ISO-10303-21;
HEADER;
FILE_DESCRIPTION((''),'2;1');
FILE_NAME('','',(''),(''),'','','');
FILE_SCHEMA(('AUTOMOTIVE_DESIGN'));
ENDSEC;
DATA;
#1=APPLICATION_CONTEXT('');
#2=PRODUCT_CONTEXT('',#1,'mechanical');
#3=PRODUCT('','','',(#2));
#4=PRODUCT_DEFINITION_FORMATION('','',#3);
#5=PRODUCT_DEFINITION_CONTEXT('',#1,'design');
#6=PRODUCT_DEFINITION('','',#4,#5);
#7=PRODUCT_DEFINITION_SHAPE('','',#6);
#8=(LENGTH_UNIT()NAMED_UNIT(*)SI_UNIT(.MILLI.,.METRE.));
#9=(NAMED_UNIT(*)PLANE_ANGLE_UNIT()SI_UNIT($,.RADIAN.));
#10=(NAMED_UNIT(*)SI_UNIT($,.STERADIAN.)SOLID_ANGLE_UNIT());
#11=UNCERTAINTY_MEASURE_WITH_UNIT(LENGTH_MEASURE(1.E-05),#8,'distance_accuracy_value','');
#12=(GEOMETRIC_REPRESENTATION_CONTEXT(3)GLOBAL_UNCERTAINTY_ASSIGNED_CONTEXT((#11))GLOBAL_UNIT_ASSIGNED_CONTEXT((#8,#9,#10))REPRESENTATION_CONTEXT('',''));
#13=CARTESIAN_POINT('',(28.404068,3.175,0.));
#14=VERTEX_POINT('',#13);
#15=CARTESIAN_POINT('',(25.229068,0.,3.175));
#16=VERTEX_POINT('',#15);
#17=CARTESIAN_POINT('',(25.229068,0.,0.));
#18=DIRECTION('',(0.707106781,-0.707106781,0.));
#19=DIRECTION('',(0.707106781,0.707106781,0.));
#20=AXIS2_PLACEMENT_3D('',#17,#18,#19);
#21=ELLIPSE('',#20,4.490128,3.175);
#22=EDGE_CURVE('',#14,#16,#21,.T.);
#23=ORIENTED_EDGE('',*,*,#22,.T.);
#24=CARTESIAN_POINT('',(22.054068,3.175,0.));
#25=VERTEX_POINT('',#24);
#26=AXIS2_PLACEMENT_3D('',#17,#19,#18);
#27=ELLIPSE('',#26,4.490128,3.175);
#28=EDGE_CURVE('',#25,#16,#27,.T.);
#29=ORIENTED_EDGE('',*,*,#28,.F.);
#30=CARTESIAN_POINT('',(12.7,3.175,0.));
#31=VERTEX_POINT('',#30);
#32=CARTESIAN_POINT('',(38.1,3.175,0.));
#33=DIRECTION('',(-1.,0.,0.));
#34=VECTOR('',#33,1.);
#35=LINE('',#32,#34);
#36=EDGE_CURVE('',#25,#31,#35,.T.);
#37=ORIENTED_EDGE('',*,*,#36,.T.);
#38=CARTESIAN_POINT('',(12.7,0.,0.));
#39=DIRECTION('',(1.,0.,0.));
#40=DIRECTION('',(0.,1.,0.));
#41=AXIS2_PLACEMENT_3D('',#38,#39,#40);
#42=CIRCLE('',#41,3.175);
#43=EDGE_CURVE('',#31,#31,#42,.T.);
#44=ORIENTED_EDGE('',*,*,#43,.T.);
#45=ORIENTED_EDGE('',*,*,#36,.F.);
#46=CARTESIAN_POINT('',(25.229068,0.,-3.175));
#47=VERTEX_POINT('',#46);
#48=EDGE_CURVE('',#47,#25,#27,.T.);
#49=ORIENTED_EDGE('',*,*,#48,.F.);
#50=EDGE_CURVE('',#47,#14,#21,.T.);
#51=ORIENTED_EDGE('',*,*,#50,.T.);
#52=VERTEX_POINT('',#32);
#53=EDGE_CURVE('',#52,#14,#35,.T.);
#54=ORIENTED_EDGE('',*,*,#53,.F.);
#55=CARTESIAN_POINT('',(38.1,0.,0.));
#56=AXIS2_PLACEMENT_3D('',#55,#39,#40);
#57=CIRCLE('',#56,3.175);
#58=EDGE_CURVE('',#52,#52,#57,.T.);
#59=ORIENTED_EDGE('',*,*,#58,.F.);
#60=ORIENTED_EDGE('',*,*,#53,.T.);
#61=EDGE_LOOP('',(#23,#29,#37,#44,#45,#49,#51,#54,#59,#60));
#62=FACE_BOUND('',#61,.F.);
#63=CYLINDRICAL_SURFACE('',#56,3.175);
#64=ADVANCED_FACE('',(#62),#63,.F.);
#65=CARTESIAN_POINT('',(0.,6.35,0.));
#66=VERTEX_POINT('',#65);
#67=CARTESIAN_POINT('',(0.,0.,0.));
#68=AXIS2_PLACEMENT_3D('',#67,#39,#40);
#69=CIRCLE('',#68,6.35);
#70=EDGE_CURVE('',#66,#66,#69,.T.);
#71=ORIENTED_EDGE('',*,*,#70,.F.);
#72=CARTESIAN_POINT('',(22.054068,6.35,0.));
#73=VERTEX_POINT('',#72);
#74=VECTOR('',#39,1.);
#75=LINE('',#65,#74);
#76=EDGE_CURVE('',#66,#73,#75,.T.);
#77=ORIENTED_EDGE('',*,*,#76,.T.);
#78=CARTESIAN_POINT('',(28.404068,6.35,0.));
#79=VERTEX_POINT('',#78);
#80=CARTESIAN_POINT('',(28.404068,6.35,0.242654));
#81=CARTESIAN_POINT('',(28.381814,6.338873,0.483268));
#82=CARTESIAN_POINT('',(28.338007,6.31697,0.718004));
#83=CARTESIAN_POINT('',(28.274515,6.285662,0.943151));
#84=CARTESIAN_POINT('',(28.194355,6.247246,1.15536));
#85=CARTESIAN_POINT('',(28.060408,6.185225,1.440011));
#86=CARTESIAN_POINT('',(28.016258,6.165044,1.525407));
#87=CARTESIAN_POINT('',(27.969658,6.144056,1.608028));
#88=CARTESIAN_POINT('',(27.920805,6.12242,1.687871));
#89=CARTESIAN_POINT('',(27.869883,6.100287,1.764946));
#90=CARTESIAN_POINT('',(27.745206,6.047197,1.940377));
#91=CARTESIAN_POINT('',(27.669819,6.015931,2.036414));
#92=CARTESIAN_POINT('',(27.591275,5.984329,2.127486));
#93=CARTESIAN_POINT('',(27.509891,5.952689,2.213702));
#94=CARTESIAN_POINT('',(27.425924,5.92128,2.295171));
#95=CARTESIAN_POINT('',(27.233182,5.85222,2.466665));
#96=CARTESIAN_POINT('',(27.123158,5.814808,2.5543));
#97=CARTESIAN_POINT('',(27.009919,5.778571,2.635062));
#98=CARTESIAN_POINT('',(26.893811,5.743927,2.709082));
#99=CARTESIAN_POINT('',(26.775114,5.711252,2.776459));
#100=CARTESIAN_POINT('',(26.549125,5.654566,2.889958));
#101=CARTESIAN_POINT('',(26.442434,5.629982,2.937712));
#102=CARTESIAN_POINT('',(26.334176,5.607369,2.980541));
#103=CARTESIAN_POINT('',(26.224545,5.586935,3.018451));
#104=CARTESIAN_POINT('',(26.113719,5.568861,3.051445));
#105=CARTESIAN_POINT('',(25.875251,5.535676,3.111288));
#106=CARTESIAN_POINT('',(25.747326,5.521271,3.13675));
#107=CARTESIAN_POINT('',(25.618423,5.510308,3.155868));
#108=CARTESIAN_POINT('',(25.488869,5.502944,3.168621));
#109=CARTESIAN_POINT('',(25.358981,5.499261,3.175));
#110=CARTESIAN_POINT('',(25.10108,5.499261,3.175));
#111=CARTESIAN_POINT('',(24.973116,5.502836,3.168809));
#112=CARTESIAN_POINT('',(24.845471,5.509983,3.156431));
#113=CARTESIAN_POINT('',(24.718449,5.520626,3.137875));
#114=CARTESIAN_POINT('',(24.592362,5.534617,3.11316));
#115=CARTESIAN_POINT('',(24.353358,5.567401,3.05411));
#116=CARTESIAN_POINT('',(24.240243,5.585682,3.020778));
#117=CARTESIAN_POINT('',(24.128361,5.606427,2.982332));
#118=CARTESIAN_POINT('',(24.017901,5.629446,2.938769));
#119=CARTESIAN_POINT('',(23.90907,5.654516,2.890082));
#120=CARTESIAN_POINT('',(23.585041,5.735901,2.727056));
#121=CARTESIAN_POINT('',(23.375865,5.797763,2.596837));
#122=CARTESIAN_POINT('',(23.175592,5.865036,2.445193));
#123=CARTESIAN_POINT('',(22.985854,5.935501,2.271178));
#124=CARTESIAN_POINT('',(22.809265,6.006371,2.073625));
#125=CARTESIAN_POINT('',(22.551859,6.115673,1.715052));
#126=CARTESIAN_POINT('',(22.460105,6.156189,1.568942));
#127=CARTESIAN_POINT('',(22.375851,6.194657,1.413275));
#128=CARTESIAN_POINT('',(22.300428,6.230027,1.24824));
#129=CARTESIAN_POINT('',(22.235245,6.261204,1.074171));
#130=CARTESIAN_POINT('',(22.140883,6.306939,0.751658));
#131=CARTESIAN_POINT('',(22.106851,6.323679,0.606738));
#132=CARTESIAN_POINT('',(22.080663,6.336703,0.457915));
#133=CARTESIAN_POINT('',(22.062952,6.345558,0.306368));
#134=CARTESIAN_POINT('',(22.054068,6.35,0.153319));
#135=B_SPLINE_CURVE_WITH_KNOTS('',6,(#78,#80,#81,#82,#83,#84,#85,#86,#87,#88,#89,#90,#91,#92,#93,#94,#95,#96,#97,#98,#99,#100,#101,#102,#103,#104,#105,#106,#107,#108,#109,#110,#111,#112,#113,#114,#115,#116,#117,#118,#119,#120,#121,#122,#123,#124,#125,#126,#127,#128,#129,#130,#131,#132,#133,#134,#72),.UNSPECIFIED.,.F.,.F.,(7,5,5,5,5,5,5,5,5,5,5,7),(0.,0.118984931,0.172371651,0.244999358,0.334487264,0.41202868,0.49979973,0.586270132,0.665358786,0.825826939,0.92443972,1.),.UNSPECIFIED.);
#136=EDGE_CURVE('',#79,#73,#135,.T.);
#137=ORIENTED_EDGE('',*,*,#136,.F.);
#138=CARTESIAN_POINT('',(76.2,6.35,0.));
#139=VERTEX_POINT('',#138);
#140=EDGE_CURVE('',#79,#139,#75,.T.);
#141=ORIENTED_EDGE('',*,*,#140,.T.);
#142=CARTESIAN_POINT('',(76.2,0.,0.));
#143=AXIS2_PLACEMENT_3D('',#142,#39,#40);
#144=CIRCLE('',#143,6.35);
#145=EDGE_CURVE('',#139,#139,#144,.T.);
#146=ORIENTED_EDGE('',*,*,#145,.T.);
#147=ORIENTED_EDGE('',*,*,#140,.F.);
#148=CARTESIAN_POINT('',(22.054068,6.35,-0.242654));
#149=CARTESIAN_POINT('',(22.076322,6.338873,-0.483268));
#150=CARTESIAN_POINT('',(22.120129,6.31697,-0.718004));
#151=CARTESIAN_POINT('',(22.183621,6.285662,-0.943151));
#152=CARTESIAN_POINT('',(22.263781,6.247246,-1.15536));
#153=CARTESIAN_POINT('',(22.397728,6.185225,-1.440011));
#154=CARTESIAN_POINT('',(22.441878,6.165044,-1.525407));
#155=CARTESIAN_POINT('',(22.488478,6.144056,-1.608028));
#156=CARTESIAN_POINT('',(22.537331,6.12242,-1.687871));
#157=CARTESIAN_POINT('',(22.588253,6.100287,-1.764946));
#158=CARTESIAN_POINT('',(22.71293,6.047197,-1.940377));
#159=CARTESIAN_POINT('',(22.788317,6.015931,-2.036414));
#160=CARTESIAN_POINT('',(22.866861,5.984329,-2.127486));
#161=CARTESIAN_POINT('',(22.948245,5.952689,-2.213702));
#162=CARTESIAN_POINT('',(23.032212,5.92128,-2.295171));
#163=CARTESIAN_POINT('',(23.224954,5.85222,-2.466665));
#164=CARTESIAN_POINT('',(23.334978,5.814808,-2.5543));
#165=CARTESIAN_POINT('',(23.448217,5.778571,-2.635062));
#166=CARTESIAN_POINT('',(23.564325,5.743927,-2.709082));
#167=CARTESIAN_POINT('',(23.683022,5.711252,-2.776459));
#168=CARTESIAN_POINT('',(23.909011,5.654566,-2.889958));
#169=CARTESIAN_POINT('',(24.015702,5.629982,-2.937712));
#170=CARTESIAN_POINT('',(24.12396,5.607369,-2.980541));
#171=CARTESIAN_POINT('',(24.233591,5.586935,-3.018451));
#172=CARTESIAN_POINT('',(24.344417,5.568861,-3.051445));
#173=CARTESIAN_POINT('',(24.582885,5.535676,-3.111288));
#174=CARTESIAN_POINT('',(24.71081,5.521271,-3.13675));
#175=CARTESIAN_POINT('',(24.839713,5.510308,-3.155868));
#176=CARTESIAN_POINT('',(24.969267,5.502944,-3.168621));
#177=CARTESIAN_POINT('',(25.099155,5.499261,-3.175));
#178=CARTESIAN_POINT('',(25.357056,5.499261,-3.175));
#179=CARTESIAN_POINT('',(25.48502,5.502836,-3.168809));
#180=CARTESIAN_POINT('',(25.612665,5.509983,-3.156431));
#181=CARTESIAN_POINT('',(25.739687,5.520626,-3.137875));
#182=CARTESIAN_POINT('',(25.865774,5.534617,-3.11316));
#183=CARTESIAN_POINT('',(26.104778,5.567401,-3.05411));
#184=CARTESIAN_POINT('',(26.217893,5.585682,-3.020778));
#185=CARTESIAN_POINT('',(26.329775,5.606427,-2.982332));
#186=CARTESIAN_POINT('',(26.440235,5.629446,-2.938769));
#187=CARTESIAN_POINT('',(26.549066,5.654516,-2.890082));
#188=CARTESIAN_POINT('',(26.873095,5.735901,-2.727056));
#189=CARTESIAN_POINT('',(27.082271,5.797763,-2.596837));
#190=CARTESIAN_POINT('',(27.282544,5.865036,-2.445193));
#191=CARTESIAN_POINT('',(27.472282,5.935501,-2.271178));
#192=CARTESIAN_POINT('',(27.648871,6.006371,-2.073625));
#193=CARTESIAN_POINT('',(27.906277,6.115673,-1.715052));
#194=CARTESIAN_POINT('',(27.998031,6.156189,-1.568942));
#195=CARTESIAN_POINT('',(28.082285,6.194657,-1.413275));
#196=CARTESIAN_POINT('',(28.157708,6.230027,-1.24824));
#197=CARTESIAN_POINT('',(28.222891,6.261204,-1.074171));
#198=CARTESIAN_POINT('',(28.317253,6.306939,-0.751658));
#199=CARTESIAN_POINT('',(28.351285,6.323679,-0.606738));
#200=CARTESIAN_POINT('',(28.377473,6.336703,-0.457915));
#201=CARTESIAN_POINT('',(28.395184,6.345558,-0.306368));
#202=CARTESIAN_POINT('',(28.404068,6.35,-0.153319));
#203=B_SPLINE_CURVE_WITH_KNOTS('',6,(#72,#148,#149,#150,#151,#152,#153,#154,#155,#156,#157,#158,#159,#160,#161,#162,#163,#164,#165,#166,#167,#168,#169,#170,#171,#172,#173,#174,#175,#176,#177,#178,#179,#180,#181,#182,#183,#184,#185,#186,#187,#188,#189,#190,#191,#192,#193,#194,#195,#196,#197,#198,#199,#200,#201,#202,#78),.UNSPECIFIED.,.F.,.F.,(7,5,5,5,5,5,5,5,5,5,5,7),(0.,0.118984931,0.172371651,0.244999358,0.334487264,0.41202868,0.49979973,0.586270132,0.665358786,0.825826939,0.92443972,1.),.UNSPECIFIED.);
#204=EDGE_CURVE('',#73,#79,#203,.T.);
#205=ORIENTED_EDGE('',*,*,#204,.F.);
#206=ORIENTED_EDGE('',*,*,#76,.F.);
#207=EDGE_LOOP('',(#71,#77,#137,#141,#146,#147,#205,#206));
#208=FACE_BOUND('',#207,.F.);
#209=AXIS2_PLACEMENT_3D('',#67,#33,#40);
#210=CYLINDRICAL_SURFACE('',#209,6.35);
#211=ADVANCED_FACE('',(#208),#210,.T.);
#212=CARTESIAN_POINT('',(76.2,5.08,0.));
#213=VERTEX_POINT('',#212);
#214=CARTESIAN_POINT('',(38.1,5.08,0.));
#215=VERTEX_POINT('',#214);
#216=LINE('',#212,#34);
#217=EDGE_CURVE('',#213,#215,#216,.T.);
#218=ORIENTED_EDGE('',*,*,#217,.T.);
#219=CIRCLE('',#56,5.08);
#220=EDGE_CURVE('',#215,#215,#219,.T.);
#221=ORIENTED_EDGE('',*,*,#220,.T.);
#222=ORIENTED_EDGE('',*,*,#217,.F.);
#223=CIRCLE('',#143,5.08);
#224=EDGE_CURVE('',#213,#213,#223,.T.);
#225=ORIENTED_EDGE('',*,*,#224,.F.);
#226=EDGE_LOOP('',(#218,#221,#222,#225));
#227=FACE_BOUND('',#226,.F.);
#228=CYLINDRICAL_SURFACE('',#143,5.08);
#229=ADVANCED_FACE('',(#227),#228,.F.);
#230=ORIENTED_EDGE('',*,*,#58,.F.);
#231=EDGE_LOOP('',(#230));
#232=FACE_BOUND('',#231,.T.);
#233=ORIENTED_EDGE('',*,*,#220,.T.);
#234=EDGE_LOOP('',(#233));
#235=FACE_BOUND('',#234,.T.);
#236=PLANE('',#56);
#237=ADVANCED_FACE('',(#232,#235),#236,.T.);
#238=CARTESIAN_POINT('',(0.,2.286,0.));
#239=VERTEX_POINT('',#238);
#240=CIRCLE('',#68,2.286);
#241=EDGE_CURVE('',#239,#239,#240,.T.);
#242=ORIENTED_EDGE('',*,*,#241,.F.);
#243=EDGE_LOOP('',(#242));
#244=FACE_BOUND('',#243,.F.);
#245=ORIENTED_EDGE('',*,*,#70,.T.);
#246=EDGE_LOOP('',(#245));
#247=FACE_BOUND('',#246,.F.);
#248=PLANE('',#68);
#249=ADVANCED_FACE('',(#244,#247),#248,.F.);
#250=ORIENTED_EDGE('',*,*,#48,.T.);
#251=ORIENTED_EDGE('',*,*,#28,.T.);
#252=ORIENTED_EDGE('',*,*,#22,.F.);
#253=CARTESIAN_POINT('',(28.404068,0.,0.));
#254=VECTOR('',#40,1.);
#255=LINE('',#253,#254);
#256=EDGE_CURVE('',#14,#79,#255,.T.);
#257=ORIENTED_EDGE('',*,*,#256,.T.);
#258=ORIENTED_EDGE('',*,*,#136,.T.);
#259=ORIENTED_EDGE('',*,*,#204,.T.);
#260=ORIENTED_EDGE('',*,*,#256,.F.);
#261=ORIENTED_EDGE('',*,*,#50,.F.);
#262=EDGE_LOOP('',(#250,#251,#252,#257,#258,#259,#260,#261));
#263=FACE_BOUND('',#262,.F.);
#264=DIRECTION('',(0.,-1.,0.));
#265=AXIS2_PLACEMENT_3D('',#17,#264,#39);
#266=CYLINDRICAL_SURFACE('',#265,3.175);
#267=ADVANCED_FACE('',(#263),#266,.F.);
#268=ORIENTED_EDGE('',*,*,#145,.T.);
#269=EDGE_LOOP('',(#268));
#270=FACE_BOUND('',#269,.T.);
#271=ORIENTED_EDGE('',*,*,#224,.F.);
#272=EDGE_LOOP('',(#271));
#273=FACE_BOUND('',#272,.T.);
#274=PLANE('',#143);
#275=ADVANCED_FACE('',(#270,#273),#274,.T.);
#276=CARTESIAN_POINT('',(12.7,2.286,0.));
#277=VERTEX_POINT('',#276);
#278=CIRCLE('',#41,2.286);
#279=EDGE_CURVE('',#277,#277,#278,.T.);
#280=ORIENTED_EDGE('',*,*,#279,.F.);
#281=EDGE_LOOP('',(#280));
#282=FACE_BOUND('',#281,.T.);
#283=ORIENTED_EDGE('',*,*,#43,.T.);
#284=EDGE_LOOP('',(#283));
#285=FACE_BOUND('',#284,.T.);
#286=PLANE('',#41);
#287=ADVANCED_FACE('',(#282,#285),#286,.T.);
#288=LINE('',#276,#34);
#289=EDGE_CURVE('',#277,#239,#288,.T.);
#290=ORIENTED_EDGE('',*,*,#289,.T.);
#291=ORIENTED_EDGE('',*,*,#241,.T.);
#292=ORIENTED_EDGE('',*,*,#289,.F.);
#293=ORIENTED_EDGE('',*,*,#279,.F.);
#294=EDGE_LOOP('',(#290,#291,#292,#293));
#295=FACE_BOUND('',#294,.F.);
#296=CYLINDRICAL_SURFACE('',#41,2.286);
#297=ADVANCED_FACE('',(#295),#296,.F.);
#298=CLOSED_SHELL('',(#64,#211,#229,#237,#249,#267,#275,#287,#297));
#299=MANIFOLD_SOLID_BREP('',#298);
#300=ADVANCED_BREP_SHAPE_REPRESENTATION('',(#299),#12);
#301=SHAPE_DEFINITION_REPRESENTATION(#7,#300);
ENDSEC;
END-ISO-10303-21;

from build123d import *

# Parameters (mm, degrees)
F0_R     = 6.35
F1_DEPTH = 76.2
F2_R     = 5.08
F3_DEPTH = 38.1
F4_R     = 3.175
F5_DEPTH = 25.4
F6_R     = 2.286
F7_DEPTH = 25.4
F8_R     = 3.175
F9_DEPTH = 25.4


with BuildPart() as f1:
    # F0 (on Right) → F1 (new body)
    with BuildSketch(Plane.YZ):
        Circle(F0_R)
    extrude(amount=F1_DEPTH)

    # F2 (on face) → F3 (cut)
    with BuildSketch(Plane.YZ.offset(76.2)):
        Circle(F2_R)
    extrude(amount=-F3_DEPTH, mode=Mode.SUBTRACT)

    # F4 (on face) → F5 (cut)
    with BuildSketch(Plane.YZ.offset(38.1)):
        Circle(F4_R)
    extrude(amount=-F5_DEPTH, mode=Mode.SUBTRACT)

    # F6 (on face) → F7 (cut)
    with BuildSketch(Plane.YZ.offset(12.7)):
        Circle(F6_R)
    extrude(amount=-F7_DEPTH, mode=Mode.SUBTRACT)

    # F8 (on Front) → F9 (cut)
    with BuildSketch(Plane.XZ):
        with Locations((25.229068, 0)):
            Circle(F8_R)
    extrude(amount=-F9_DEPTH, mode=Mode.SUBTRACT)


solid = f1.part
